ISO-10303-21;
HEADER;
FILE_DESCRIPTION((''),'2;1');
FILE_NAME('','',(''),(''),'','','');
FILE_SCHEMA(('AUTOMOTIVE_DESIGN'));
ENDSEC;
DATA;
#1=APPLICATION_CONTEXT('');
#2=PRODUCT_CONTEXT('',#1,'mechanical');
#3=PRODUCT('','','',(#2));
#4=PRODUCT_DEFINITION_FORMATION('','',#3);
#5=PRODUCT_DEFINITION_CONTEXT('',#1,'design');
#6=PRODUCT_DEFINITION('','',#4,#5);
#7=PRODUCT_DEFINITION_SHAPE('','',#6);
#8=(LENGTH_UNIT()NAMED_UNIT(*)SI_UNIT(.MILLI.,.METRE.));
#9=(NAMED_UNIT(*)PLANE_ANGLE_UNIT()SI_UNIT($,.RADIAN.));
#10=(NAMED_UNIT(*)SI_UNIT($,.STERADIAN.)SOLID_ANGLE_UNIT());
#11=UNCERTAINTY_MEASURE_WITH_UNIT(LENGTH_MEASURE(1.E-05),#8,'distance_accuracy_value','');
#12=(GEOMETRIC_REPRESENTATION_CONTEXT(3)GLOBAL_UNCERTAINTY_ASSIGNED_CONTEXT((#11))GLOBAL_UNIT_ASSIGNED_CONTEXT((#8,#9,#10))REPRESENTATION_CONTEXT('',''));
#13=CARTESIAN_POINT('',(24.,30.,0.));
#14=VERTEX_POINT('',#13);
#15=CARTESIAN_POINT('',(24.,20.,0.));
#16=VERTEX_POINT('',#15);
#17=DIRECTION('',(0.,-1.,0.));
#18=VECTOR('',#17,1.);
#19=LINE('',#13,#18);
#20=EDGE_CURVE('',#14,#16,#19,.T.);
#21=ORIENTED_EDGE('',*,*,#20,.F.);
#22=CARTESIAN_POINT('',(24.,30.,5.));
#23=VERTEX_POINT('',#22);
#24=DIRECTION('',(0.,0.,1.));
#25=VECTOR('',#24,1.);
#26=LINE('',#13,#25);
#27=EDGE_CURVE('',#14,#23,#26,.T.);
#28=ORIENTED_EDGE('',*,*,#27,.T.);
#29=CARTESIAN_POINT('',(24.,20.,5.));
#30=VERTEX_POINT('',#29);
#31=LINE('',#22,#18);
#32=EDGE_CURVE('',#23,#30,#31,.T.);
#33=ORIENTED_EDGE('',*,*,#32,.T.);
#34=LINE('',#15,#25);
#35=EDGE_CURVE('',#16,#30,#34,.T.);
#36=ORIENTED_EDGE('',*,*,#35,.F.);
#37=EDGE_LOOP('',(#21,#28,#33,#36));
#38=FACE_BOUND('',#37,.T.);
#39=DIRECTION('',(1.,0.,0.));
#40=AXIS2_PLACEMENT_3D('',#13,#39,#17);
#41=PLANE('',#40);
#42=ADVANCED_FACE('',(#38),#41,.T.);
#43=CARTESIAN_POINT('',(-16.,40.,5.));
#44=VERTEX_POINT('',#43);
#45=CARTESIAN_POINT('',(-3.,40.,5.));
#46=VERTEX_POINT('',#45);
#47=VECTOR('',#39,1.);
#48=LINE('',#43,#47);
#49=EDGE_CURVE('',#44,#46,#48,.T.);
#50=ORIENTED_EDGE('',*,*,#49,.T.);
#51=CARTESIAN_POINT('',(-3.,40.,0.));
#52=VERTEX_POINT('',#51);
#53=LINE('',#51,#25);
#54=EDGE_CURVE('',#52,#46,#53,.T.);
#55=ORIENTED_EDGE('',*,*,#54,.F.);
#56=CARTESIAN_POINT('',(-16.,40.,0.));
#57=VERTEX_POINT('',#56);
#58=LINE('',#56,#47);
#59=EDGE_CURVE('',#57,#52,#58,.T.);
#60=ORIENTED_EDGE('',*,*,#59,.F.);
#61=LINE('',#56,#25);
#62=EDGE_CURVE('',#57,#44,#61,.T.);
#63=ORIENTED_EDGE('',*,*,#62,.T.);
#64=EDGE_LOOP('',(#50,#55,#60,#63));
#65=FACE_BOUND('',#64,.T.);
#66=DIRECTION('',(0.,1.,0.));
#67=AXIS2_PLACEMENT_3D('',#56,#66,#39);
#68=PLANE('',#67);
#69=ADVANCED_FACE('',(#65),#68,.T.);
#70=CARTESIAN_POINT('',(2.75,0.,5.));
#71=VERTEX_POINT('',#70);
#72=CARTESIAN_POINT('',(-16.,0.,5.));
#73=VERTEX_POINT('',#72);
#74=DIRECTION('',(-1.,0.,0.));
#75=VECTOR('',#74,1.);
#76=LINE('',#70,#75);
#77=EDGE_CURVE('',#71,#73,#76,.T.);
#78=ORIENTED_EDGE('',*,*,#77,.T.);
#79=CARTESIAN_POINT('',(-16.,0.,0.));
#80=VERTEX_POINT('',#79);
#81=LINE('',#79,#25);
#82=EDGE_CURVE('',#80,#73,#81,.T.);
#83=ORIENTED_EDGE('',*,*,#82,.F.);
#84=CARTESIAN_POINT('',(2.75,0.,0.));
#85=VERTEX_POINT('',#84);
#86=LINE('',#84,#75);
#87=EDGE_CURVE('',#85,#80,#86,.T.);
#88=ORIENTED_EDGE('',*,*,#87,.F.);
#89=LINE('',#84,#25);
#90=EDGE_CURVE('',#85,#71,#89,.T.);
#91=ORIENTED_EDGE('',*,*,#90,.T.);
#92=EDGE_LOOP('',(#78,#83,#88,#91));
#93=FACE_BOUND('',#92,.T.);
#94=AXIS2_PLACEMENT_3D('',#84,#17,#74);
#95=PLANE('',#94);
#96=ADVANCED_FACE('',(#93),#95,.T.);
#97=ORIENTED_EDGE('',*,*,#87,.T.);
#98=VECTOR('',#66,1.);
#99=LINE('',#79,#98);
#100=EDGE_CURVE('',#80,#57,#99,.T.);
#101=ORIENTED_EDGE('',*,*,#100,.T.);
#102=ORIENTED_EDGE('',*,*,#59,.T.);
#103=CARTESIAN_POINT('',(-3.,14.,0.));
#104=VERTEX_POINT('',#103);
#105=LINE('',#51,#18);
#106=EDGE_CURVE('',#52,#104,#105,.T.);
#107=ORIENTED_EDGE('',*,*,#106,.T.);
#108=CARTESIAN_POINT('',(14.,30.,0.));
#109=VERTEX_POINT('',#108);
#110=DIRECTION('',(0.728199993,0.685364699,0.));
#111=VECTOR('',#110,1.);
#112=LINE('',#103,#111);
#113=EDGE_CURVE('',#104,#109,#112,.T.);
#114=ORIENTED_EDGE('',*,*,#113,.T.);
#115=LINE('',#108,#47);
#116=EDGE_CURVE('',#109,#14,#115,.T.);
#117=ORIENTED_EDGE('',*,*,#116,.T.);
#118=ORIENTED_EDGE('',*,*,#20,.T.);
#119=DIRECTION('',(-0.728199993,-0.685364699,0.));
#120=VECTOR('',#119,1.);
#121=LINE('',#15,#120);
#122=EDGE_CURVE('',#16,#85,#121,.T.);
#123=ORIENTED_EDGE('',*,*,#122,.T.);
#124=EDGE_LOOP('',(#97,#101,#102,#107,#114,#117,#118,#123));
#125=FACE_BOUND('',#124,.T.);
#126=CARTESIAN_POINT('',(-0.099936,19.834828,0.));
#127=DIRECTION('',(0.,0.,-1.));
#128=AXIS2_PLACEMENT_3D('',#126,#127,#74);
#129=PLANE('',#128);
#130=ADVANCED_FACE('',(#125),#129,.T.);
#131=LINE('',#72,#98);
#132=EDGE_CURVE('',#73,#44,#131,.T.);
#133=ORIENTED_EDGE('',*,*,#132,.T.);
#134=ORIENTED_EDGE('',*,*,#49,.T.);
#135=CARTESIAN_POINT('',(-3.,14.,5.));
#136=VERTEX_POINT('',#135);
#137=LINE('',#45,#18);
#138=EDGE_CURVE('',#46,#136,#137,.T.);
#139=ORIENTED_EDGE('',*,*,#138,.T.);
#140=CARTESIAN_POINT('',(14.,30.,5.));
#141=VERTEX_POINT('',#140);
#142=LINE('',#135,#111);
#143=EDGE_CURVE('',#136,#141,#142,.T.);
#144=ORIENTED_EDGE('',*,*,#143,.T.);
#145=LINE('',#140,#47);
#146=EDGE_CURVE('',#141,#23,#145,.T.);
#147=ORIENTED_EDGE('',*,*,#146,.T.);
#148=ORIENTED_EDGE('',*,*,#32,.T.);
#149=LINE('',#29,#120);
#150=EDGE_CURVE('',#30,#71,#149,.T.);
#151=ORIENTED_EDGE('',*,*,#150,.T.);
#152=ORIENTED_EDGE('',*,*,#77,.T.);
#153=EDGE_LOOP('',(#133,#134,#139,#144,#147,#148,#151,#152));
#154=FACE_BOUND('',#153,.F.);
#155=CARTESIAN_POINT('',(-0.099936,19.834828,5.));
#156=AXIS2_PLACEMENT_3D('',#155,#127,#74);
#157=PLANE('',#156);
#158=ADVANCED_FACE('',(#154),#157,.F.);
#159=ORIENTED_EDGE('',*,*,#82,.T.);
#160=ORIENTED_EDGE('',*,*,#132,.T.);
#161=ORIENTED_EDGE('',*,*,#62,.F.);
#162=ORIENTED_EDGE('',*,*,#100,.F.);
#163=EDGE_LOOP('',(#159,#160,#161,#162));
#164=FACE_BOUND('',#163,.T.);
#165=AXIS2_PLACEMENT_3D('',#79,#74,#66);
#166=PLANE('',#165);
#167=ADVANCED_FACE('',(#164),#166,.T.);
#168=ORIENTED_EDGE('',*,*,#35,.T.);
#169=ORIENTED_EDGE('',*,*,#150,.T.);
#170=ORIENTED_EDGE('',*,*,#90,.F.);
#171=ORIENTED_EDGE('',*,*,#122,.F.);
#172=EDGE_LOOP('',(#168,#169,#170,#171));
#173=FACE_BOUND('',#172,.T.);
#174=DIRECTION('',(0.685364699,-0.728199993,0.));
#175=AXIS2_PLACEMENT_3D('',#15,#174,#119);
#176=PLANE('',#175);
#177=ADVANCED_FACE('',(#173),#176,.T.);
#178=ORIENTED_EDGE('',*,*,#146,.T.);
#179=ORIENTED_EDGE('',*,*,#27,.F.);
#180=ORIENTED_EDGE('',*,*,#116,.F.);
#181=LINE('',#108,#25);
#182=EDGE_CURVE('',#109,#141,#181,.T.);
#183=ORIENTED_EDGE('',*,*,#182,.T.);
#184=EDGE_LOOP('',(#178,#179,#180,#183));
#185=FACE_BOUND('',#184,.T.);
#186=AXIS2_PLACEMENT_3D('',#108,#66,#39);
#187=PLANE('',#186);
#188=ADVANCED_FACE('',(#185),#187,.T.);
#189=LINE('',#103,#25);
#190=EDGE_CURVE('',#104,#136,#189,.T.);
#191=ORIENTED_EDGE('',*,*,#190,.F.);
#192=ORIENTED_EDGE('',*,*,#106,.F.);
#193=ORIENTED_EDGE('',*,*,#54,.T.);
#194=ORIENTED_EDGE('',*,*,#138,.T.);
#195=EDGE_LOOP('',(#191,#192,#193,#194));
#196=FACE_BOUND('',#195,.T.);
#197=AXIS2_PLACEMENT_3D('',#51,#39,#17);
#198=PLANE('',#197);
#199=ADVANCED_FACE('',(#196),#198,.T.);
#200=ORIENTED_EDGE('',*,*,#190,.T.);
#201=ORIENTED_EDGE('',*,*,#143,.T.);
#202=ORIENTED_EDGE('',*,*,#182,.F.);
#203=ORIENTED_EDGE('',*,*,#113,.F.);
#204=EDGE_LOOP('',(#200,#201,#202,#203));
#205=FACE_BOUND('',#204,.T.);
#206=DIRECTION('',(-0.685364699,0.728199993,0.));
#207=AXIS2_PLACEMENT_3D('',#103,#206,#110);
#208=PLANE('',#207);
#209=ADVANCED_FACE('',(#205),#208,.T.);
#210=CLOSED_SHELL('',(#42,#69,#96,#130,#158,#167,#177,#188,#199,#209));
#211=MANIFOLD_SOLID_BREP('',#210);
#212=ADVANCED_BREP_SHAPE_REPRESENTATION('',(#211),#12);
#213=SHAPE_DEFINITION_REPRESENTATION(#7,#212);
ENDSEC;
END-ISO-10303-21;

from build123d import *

# Parameters (mm, degrees)
PAD_DEPTH = 5


with BuildPart() as part:
    # Sketch → Pad (new body)
    with BuildSketch(Plane.XY):
        Polygon((0, 40), (13, 40), (13, 14), (30, 30), (40, 30), (40, 20), (18.75, 0), (0, 0), align=None)
    extrude(amount=PAD_DEPTH)


with BuildPart() as part_1:
    # Body placement: moved
    add(part.part.moved(Location((-16, 0, 0))))


solid = part_1.part
